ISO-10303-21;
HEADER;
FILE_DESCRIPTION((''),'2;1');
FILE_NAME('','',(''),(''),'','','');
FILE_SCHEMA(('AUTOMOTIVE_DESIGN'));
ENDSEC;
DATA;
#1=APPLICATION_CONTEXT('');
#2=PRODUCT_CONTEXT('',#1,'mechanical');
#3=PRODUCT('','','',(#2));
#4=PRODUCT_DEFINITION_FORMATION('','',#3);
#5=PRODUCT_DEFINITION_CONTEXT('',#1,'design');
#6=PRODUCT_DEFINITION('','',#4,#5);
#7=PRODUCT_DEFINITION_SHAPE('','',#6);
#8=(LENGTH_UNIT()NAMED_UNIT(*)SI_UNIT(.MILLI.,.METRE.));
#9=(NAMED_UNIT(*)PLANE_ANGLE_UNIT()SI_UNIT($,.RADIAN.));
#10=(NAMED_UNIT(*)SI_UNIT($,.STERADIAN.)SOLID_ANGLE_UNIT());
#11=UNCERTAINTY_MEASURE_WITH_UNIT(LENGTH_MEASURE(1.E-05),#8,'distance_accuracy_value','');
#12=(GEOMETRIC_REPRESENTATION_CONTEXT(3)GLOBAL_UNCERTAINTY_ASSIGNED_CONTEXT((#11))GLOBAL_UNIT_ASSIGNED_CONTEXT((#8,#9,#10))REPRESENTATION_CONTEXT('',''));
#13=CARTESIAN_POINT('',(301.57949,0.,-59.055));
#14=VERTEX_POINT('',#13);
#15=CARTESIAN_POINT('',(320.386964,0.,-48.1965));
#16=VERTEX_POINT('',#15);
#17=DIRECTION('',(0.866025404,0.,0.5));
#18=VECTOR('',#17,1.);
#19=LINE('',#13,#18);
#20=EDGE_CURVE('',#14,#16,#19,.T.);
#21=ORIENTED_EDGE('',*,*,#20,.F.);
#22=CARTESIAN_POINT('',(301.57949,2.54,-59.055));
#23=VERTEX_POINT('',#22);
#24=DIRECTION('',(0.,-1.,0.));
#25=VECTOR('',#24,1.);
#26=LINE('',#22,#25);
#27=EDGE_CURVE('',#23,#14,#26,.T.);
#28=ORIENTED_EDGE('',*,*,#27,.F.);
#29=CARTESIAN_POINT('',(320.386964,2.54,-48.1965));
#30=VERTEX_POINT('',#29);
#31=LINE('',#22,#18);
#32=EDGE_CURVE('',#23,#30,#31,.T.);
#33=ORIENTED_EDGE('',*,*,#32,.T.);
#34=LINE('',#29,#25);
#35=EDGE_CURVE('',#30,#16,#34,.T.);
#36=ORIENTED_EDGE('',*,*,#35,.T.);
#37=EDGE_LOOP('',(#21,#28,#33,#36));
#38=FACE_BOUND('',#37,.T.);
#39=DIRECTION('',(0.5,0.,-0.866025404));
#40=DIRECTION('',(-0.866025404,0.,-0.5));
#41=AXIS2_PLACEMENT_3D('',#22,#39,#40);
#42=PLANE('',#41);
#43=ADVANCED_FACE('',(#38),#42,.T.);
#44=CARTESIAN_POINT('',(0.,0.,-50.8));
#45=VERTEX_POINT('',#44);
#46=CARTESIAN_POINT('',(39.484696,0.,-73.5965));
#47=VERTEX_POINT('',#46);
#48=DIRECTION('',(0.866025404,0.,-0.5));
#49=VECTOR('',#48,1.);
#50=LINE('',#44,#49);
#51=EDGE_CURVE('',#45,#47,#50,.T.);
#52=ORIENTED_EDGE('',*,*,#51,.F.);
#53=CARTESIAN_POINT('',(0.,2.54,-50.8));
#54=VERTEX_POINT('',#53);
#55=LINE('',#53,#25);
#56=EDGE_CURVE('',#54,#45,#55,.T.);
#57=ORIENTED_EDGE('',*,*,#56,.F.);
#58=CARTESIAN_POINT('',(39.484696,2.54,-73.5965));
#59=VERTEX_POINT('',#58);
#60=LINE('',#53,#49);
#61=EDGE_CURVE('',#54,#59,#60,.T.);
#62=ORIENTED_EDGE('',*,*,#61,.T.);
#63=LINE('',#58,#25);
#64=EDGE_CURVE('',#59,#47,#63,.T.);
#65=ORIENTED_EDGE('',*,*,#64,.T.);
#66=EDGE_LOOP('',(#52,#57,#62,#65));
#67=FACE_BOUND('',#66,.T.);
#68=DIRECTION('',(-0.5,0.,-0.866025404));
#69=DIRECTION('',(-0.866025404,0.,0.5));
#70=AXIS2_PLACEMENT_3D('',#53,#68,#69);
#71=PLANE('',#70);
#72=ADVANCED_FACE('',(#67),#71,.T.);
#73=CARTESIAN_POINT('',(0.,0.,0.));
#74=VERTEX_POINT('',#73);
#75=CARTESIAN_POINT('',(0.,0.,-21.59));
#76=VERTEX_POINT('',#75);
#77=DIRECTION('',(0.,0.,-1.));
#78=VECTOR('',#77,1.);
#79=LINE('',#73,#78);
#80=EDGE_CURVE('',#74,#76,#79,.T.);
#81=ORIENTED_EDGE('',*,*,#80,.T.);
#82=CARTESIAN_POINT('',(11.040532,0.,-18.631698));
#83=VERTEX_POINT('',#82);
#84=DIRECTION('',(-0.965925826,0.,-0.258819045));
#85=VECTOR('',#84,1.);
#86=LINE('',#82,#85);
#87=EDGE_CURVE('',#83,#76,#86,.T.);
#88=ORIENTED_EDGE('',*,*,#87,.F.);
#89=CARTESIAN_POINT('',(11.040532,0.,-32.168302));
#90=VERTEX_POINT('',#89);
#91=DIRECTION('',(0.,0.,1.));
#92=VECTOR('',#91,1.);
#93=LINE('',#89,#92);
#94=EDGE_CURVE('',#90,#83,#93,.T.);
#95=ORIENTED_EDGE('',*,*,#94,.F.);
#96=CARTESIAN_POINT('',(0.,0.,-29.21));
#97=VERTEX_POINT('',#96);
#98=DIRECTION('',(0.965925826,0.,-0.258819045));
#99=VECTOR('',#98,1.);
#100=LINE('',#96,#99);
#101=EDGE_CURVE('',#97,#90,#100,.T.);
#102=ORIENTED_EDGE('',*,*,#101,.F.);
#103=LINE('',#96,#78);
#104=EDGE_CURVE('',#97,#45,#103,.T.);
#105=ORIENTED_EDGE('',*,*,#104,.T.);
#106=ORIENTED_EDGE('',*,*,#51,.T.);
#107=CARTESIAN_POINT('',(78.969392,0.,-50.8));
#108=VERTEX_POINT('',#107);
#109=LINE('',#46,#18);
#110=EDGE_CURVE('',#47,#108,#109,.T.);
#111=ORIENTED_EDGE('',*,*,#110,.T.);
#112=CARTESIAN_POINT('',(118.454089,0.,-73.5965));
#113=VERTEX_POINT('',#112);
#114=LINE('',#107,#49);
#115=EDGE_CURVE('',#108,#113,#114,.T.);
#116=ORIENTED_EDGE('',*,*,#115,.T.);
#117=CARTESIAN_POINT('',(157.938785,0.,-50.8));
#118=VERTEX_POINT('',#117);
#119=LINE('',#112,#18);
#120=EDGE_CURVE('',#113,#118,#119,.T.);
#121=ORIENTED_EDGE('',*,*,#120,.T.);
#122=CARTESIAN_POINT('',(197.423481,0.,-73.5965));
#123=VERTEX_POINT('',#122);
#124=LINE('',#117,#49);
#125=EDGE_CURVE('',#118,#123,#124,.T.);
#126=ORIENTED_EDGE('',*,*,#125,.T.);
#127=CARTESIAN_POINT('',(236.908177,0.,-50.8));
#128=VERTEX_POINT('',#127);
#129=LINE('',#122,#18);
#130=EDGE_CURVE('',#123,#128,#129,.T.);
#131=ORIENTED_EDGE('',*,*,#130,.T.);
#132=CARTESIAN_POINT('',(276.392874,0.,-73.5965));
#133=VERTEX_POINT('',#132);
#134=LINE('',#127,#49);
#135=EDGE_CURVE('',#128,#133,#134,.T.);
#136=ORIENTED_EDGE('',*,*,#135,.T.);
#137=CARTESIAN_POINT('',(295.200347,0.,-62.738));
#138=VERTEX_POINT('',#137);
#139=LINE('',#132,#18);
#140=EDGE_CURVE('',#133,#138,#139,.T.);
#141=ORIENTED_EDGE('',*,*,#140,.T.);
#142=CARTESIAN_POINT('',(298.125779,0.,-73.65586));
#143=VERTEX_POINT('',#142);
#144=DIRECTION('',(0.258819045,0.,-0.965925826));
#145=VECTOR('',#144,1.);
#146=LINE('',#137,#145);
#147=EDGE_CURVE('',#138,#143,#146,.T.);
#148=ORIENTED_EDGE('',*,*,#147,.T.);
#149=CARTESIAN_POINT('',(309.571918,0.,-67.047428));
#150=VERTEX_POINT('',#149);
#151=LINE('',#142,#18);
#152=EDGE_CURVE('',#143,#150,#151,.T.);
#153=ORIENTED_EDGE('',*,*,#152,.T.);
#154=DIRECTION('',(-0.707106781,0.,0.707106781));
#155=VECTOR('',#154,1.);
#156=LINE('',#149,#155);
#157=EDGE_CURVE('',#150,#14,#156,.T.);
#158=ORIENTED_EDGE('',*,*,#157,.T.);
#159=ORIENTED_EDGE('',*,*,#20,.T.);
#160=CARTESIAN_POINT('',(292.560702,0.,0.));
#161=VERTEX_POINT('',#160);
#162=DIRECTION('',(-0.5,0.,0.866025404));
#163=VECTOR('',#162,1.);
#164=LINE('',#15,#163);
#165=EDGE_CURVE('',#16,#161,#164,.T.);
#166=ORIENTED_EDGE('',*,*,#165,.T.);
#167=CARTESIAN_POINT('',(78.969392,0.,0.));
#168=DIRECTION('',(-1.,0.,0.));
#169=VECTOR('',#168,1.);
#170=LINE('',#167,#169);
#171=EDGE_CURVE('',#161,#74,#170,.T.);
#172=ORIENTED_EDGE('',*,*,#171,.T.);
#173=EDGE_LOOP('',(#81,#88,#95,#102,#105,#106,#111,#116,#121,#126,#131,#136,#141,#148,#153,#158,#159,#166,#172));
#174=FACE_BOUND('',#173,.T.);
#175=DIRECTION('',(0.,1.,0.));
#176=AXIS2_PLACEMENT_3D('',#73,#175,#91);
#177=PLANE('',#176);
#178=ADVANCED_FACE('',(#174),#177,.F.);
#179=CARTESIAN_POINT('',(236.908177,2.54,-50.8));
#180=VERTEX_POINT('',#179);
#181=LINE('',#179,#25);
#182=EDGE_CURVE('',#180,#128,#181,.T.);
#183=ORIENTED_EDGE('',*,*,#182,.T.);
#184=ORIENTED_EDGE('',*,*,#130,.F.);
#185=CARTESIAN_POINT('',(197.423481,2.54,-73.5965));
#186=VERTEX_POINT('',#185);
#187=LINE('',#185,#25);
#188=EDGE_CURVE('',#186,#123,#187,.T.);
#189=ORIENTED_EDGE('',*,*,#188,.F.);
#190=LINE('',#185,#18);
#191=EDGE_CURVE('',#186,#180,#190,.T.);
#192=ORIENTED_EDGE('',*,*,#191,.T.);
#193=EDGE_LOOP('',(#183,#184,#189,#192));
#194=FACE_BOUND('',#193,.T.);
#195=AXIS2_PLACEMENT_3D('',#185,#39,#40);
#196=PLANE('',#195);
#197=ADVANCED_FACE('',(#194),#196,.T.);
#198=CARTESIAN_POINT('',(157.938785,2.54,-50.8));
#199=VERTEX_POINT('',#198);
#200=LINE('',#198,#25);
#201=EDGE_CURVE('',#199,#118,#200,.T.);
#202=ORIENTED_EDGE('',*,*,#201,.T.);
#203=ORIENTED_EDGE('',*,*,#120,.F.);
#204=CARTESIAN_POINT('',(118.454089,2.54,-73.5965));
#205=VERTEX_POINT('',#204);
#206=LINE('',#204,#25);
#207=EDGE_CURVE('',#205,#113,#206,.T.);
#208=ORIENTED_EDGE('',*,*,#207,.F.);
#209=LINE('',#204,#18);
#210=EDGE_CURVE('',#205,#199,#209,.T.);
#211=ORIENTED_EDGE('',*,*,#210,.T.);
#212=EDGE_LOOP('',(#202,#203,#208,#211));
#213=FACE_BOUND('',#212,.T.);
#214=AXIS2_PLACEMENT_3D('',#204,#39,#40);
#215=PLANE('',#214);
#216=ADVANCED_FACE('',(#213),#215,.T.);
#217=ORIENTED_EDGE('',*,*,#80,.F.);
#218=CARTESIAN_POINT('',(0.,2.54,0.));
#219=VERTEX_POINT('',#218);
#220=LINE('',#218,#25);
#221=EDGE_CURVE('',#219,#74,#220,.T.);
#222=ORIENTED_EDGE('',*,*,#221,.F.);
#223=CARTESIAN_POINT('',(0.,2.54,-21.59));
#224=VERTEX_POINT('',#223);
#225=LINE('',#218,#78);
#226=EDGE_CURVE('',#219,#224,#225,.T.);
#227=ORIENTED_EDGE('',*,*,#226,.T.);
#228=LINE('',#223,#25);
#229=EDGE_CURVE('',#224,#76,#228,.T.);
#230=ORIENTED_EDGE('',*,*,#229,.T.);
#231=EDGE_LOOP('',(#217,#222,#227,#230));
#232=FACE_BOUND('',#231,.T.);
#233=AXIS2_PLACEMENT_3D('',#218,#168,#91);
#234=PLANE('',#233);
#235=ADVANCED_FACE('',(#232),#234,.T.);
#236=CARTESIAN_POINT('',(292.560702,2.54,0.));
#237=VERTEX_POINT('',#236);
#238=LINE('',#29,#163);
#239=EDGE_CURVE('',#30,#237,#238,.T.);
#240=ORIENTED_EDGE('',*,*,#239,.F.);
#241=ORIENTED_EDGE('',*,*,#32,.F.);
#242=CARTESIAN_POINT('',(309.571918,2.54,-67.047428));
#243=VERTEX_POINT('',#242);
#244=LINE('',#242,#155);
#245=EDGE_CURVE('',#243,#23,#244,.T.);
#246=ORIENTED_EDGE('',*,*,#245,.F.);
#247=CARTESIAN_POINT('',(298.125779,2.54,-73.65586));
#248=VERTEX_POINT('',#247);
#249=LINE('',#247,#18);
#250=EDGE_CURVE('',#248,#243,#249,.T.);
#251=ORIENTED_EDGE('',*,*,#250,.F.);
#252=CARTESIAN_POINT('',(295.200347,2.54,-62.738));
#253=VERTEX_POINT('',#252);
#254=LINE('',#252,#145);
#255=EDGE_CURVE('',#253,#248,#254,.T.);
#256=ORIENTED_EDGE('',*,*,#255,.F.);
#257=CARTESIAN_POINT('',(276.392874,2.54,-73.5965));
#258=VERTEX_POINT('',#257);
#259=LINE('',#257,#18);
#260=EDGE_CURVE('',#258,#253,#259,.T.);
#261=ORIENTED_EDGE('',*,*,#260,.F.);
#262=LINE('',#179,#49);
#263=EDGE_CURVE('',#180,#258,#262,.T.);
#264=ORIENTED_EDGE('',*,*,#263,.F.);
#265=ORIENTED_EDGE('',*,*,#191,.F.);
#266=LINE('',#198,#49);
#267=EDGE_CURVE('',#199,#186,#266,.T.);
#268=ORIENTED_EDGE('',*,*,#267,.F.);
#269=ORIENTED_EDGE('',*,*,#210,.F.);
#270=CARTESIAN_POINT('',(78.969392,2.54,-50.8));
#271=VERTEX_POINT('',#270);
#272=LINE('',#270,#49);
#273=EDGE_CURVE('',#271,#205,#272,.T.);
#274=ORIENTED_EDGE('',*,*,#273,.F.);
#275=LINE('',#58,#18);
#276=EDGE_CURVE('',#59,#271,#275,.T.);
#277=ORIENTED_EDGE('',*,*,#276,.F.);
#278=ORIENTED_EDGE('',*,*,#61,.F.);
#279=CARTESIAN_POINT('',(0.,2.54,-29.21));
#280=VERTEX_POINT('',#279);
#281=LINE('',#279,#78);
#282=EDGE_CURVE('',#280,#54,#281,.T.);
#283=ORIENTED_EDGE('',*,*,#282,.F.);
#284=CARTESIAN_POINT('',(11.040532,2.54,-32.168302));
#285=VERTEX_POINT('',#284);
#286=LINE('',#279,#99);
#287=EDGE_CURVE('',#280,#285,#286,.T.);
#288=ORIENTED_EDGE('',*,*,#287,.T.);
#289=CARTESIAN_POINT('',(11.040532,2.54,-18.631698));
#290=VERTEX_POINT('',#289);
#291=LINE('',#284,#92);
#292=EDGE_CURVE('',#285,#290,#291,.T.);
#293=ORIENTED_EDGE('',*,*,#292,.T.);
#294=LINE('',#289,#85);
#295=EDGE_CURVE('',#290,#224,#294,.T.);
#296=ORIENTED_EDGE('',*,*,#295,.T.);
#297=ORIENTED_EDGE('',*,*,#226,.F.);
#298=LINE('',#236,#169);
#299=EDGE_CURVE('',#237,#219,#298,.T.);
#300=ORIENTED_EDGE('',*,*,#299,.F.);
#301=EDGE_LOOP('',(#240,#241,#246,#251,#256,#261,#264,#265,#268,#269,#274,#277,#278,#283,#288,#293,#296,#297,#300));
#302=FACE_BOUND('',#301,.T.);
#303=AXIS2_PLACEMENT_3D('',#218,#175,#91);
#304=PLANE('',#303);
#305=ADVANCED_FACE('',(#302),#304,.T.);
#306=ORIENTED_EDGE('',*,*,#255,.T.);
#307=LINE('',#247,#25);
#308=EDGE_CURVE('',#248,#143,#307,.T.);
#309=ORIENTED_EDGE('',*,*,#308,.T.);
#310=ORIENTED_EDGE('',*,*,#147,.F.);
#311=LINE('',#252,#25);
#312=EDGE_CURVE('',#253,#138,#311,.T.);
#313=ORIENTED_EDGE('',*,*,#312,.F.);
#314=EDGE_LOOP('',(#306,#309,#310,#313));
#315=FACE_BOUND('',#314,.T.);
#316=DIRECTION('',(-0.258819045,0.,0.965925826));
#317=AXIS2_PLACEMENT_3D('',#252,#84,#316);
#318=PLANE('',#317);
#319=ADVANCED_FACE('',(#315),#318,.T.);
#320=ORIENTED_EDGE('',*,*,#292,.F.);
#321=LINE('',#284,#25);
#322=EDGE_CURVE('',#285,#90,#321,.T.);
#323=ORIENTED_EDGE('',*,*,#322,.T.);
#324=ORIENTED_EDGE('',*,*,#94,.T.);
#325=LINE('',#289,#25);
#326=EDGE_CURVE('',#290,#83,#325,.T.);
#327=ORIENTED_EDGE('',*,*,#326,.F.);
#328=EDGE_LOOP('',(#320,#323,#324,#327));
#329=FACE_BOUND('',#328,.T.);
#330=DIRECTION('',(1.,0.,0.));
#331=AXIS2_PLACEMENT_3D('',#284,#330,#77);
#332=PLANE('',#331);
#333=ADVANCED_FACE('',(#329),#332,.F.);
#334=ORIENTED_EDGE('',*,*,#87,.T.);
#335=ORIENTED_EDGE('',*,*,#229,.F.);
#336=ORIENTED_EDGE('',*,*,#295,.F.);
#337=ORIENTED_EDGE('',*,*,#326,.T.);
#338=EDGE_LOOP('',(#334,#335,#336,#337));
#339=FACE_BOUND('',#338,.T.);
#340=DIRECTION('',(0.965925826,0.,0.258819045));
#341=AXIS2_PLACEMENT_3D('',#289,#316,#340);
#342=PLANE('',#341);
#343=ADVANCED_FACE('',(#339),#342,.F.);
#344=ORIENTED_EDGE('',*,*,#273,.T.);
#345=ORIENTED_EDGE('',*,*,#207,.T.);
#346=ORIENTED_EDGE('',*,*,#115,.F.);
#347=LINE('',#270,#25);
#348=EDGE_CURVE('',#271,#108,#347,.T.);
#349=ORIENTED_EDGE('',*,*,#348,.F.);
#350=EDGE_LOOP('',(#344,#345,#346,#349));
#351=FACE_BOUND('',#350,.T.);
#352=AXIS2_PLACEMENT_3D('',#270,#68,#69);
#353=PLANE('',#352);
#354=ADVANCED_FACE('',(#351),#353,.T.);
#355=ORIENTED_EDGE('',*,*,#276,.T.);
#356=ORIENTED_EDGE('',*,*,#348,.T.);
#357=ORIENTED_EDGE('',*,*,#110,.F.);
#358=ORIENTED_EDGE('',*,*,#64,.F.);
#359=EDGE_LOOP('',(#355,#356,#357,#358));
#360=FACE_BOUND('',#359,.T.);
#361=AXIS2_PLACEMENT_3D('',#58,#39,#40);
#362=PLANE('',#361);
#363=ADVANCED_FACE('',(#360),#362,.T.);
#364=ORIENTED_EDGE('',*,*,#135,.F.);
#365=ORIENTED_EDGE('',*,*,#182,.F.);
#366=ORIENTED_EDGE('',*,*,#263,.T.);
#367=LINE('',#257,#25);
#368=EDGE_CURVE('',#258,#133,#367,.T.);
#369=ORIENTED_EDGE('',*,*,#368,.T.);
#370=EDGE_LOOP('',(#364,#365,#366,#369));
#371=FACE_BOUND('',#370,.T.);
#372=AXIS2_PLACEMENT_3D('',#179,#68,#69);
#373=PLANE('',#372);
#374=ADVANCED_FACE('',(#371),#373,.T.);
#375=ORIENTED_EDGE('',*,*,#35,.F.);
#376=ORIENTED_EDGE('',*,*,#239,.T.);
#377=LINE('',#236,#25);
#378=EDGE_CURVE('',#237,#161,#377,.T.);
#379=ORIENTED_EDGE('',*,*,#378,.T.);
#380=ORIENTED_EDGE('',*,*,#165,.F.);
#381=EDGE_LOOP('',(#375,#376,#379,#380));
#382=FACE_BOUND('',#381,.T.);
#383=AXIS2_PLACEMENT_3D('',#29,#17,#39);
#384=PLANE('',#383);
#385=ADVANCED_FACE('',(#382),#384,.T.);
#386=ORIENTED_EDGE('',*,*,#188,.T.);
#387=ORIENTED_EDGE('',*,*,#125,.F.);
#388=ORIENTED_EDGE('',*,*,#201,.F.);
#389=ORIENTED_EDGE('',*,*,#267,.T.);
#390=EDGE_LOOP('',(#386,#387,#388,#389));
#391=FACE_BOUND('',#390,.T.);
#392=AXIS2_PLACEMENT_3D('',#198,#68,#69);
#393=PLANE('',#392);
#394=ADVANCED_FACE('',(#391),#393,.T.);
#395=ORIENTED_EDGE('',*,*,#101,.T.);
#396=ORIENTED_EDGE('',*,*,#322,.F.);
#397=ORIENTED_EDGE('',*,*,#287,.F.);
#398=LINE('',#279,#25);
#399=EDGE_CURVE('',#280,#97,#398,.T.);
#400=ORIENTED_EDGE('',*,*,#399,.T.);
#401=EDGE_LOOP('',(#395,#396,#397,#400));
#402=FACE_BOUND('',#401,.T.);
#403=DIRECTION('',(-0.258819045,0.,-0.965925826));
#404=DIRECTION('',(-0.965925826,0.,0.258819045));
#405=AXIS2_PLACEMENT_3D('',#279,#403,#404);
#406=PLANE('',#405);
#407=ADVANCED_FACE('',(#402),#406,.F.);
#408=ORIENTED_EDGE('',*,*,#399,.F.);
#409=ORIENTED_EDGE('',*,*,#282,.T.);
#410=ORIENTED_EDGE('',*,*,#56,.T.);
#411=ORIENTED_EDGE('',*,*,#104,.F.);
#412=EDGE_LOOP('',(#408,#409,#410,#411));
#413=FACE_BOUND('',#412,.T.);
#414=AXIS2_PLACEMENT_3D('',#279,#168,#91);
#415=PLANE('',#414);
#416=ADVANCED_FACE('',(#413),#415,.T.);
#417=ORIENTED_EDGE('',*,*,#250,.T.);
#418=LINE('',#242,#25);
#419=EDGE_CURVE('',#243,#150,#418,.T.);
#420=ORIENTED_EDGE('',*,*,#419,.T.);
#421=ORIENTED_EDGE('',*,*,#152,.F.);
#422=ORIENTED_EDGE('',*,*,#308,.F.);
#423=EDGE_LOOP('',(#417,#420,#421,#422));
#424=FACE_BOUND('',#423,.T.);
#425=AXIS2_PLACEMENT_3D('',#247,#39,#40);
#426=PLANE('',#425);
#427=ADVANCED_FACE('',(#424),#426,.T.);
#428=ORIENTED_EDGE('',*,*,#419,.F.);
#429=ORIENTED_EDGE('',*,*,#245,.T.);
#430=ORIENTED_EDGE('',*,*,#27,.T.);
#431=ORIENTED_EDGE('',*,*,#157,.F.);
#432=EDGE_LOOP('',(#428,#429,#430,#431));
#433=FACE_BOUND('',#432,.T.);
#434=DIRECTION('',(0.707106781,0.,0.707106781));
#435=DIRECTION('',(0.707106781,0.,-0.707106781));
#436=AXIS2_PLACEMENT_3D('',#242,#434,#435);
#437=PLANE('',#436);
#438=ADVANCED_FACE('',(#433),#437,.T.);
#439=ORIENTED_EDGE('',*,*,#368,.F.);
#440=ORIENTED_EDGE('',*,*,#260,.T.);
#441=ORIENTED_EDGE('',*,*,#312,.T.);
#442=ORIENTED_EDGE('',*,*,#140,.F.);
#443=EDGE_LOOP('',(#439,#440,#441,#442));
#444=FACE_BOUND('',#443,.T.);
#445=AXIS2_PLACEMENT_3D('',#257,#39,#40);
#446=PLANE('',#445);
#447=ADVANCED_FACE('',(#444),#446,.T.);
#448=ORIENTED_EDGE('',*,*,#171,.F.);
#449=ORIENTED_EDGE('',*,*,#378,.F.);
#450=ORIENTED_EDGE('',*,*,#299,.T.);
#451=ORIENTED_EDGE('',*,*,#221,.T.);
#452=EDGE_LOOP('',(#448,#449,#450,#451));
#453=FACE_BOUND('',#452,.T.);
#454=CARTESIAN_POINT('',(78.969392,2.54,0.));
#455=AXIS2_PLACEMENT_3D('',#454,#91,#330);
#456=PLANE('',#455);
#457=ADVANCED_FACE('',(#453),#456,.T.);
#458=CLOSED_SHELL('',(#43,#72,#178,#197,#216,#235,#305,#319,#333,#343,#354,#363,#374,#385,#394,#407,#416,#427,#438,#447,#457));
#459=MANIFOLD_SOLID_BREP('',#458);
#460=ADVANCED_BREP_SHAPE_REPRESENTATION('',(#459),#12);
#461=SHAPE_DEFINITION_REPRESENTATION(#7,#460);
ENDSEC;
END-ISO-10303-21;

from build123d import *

# Parameters (mm, degrees)
BOSS_EXTRUDE1_DEPTH = 2.54


with BuildPart() as part:
    # Sketch1 → Boss-Extrude1 (new body)
    with BuildSketch(Plane(origin=(0, 0, 0), x_dir=(1, 0, 0), z_dir=(0, 1, 0))):
        Polygon((0, 0), (0, 21.59), (11.040532194, 18.631698314), (11.040532194, 32.168301686), (0, 29.21), (0, 50.8), (39.484696235, 73.5965), (78.969392469, 50.8), (118.454088704, 73.5965), (157.938784939, 50.8), (197.423481174, 73.5965), (236.908177408, 50.8), (276.392873643, 73.5965), (295.200347337, 62.738), (298.125779004, 73.655859615), (309.571918409, 67.047427948), (301.579490461, 59.055), (320.386964155, 48.1965), (292.560701906, 0), (234.928443335, 0), (156.618962224, 0), (78.969392469, 0), align=None)
    extrude(amount=BOSS_EXTRUDE1_DEPTH)


solid = part.part
